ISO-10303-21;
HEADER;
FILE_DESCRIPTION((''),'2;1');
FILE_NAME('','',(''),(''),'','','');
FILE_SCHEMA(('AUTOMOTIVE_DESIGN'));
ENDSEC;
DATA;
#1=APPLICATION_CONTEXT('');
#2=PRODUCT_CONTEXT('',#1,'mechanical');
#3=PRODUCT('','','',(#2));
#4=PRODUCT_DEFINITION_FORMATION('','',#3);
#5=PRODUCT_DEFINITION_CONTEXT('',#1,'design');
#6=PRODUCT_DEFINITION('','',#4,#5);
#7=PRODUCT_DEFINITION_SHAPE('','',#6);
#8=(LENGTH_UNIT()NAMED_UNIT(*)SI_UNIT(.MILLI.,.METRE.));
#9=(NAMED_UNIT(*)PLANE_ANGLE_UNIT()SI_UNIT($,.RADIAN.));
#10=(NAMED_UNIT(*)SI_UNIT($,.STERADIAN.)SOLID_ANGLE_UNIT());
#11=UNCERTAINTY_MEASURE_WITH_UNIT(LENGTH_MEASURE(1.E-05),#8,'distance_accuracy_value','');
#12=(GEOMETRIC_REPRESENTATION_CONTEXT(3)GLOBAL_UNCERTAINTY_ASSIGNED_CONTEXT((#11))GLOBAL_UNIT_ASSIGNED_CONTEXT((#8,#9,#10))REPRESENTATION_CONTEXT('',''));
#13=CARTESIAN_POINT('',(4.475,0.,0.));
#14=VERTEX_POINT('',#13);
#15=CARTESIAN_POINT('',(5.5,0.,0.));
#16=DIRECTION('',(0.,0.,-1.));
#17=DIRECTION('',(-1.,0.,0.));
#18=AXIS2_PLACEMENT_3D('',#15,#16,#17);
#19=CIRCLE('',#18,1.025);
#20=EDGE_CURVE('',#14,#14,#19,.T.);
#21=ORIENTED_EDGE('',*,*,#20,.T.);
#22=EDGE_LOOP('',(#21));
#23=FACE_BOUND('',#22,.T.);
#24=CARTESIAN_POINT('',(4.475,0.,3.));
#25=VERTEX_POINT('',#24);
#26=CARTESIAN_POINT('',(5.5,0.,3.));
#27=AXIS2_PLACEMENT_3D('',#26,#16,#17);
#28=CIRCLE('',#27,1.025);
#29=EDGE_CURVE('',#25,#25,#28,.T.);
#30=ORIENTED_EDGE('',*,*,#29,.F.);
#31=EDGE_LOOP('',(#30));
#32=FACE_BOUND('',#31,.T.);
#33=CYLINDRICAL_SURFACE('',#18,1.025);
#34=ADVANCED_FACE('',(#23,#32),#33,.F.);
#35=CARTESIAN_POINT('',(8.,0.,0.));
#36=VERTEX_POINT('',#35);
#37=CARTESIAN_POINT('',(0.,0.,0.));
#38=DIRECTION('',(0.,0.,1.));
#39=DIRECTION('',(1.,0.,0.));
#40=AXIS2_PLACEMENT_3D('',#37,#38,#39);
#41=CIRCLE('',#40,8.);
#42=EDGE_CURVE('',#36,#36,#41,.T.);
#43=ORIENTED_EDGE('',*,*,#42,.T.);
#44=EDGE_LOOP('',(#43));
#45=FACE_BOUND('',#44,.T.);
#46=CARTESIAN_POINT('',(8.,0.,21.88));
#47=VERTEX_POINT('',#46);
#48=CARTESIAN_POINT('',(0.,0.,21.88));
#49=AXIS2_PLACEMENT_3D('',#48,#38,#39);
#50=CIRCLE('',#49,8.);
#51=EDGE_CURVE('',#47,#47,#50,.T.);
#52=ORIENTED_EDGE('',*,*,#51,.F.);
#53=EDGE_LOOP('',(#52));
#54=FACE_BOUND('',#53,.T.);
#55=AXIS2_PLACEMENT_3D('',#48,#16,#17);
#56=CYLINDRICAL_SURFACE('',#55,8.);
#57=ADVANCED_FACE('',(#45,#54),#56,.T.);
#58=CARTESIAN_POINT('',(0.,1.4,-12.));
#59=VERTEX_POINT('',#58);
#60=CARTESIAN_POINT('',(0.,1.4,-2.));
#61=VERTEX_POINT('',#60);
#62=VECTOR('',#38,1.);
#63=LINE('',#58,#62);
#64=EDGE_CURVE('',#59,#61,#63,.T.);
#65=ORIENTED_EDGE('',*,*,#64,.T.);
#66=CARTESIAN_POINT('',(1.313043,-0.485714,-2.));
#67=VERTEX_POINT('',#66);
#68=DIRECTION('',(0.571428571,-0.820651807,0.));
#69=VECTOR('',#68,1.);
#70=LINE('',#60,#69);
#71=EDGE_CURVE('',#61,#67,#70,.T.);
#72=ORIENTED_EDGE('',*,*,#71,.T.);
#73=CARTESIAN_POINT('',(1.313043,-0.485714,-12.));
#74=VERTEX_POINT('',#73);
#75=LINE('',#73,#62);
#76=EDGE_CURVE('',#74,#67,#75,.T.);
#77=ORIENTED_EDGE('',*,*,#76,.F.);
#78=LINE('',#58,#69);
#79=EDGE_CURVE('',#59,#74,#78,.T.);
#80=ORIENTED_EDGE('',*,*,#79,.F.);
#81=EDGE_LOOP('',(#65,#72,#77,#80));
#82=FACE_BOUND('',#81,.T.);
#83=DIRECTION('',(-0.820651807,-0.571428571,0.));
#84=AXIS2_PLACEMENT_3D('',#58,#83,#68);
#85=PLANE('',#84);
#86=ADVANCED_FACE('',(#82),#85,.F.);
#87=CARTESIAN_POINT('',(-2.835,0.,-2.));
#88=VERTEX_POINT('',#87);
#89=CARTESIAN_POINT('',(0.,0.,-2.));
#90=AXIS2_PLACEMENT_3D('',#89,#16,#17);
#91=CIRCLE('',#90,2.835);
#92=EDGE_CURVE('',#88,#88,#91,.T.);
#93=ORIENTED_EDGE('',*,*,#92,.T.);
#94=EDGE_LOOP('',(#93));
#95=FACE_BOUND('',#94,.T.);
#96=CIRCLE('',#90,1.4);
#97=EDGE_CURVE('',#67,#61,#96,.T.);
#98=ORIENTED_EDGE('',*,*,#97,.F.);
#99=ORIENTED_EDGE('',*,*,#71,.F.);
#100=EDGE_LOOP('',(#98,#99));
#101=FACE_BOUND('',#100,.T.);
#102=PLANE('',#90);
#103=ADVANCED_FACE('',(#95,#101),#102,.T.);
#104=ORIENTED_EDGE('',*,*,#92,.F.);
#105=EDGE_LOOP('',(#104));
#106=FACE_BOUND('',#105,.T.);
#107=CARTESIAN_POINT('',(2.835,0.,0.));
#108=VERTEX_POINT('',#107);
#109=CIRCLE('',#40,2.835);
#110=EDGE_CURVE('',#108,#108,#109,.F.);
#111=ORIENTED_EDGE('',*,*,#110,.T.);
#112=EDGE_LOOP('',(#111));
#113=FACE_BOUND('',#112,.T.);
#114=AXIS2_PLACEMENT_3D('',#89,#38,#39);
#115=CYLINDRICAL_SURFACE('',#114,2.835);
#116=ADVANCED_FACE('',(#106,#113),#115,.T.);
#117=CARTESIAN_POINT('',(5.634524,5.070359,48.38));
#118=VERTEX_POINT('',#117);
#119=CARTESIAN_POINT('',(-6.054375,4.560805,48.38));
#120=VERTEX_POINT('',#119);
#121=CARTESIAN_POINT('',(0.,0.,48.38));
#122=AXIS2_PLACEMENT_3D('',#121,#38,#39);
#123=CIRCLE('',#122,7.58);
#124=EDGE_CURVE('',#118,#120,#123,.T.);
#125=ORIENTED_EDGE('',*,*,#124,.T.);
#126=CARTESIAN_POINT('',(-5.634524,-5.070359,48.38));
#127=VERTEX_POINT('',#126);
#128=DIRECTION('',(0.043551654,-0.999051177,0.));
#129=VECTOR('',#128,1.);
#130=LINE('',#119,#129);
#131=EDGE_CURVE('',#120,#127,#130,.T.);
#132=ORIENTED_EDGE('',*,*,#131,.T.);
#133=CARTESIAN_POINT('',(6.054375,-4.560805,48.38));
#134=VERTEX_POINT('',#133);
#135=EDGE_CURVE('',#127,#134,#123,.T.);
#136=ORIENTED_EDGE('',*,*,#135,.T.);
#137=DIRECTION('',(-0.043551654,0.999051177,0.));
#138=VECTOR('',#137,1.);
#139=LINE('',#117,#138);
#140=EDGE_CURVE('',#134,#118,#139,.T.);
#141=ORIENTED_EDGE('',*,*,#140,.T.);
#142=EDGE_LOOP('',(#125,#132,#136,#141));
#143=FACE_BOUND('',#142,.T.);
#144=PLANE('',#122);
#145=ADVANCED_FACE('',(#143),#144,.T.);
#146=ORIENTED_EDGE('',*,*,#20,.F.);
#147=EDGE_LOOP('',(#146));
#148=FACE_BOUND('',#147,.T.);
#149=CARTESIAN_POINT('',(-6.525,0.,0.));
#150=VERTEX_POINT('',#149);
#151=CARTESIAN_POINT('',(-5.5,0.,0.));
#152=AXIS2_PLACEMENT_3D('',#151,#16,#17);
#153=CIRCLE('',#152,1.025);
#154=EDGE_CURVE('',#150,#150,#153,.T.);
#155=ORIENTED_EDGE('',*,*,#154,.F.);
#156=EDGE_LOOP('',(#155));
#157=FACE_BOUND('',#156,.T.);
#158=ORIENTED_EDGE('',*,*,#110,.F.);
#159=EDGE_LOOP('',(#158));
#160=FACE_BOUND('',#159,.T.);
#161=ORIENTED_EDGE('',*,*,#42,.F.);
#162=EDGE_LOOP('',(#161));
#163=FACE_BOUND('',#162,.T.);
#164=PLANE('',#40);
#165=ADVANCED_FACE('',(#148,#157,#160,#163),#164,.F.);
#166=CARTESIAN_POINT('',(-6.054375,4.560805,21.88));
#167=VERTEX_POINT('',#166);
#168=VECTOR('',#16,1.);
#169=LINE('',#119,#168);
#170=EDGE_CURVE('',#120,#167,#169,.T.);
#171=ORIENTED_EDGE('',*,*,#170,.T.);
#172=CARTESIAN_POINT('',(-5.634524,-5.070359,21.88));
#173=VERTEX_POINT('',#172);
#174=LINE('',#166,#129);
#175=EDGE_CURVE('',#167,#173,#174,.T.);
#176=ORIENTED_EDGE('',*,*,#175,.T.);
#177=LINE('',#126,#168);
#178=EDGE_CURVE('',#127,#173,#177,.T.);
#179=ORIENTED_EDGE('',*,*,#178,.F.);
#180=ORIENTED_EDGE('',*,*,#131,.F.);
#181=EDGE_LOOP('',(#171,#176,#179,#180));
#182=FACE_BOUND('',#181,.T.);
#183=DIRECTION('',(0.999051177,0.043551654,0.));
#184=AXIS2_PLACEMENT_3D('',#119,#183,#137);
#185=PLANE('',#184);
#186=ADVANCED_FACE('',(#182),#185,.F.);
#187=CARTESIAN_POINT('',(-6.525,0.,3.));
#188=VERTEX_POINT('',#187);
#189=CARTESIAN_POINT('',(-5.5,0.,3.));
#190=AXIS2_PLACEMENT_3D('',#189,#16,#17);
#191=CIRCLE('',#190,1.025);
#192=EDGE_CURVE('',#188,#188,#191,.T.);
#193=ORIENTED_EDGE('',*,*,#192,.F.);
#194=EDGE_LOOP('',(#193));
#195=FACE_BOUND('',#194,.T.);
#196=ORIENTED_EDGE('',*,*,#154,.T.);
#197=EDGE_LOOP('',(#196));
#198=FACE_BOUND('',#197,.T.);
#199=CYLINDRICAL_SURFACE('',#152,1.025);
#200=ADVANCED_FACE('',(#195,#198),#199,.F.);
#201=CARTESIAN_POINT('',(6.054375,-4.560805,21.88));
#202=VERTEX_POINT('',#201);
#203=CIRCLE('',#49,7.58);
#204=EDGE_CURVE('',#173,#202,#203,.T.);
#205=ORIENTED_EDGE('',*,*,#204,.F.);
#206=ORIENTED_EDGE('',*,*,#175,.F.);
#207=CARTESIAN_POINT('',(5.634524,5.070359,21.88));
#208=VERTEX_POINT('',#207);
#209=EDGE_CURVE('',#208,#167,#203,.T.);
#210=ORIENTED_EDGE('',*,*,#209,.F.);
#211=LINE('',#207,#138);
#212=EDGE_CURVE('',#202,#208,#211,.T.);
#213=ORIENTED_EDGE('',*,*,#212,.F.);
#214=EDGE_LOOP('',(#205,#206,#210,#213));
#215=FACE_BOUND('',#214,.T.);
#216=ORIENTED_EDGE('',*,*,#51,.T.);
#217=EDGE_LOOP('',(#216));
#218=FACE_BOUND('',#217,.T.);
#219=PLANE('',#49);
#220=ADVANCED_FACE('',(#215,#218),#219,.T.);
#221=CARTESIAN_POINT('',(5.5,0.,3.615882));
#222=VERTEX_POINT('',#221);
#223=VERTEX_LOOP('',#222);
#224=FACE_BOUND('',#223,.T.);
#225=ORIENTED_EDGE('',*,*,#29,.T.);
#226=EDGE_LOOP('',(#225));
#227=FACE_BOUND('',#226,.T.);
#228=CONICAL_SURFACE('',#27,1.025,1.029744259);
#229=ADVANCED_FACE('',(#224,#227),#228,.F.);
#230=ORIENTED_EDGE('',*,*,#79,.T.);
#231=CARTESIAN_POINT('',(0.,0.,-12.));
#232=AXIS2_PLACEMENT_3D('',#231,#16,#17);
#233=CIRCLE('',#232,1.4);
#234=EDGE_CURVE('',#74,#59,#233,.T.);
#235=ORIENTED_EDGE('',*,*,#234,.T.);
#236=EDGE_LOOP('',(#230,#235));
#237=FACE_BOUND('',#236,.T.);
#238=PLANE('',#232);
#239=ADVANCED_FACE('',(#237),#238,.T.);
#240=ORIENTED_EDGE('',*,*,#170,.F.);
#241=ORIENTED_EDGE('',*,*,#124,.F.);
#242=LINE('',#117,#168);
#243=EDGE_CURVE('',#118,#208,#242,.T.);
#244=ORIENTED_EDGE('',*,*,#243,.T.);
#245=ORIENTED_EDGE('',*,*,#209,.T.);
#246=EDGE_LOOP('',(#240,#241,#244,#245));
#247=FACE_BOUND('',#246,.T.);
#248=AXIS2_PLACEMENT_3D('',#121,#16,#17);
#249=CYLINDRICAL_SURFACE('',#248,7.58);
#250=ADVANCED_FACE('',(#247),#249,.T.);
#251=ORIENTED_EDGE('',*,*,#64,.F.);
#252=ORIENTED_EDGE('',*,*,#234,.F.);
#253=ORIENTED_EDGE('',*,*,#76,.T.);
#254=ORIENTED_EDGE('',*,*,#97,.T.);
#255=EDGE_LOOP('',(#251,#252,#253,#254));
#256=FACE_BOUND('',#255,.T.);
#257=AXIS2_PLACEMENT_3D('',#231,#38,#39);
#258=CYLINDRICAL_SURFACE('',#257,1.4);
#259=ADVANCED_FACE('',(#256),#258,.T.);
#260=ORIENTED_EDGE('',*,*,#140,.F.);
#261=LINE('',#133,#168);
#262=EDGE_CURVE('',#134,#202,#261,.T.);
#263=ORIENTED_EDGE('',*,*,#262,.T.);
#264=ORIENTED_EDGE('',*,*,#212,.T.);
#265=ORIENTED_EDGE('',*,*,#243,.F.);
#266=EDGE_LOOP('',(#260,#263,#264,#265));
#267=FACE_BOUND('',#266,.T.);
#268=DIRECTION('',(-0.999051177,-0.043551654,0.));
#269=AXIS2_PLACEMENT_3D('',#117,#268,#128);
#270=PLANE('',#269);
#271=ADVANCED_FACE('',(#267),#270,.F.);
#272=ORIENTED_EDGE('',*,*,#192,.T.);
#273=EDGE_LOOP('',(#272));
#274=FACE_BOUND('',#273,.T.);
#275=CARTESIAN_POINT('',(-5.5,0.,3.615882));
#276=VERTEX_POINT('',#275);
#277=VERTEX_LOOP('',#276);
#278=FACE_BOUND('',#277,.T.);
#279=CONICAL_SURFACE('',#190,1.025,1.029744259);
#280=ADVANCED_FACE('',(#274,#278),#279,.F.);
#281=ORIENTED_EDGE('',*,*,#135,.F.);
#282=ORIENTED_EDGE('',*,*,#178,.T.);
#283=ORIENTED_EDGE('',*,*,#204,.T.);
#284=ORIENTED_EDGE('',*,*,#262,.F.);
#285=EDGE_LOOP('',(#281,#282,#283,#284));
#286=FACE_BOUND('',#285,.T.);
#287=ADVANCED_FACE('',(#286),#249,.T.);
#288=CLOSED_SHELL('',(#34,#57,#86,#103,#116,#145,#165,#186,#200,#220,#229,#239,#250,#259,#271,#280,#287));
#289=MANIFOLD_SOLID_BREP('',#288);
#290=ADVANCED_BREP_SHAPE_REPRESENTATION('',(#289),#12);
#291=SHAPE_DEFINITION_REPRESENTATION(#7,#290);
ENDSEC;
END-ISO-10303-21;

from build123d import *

# Parameters (mm, degrees)
SKETCH1_R                        = 8
BOSS_EXTRUDE1_DEPTH              = 21.88
BOSS_EXTRUDE2_DEPTH              = 26.5
SKETCH3_R                        = 2.835
BOSS_EXTRUDE3_DEPTH              = 2
BOSS_EXTRUDE4_DEPTH              = 10
F_2_05_2_05_DIAMETER_HOLE1_D     = 2.05
F_2_05_2_05_DIAMETER_HOLE1_DEPTH = 3
F_2_05_2_05_DIAMETER_HOLE1_TIP   = 0.615882135


with BuildPart() as part:
    # Sketch1 → Boss-Extrude1 (new body)
    with BuildSketch(Plane.XY):
        Circle(SKETCH1_R)
    extrude(amount=BOSS_EXTRUDE1_DEPTH)

    # Sketch2 → Boss-Extrude2 (add)
    with BuildSketch(Plane.XY.offset(21.88)):
        with BuildLine():
            Line((5.634523633, 5.0703593), (6.054375133, -4.560804945))
            ThreePointArc((6.054375133, -4.560804945), (0.33012154, -7.572807918), (-5.634523633, -5.0703593))
            Line((-5.634523633, -5.0703593), (-6.054375133, 4.560804945))
            ThreePointArc((-6.054375133, 4.560804945), (-0.33012154, 7.572807918), (5.634523633, 5.0703593))
        make_face()
    extrude(amount=BOSS_EXTRUDE2_DEPTH)

    # Sketch3 → Boss-Extrude3 (add)
    with BuildSketch(Plane(origin=(0, 0, 0), x_dir=(-1, 0, 0), z_dir=(0, 0, -1))):
        with Locations(Location((0, 0, 0), (0, 0, 180))):
            Circle(SKETCH3_R)
    extrude(amount=BOSS_EXTRUDE3_DEPTH)

    # Sketch4 → Boss-Extrude4 (add)
    with BuildSketch(Plane(origin=(0, 0, -2), x_dir=(-1, 0, 0), z_dir=(0, 0, -1))):
        with BuildLine():
            Line((0, 1.4), (-1.313042891, -0.485714286))
            ThreePointArc((-1.313042891, -0.485714286), (1.148912529, -0.8), (0, 1.4))
        make_face()
    extrude(amount=BOSS_EXTRUDE4_DEPTH)

    # Ø2.05 (2.05) Diameter Hole1
    with Locations(Plane(origin=(0, 0, 0), x_dir=(-1, 0, 0), z_dir=(0, 0, -1))):
        with Locations((-5.5, 0), (5.5, 0)):
            Hole(F_2_05_2_05_DIAMETER_HOLE1_D / 2, depth=F_2_05_2_05_DIAMETER_HOLE1_DEPTH)
            with Locations((0, 0, -(F_2_05_2_05_DIAMETER_HOLE1_DEPTH + F_2_05_2_05_DIAMETER_HOLE1_TIP / 2))):  # 118° drill point
                Cone(0, F_2_05_2_05_DIAMETER_HOLE1_D / 2, F_2_05_2_05_DIAMETER_HOLE1_TIP, mode=Mode.SUBTRACT)


solid = part.part
